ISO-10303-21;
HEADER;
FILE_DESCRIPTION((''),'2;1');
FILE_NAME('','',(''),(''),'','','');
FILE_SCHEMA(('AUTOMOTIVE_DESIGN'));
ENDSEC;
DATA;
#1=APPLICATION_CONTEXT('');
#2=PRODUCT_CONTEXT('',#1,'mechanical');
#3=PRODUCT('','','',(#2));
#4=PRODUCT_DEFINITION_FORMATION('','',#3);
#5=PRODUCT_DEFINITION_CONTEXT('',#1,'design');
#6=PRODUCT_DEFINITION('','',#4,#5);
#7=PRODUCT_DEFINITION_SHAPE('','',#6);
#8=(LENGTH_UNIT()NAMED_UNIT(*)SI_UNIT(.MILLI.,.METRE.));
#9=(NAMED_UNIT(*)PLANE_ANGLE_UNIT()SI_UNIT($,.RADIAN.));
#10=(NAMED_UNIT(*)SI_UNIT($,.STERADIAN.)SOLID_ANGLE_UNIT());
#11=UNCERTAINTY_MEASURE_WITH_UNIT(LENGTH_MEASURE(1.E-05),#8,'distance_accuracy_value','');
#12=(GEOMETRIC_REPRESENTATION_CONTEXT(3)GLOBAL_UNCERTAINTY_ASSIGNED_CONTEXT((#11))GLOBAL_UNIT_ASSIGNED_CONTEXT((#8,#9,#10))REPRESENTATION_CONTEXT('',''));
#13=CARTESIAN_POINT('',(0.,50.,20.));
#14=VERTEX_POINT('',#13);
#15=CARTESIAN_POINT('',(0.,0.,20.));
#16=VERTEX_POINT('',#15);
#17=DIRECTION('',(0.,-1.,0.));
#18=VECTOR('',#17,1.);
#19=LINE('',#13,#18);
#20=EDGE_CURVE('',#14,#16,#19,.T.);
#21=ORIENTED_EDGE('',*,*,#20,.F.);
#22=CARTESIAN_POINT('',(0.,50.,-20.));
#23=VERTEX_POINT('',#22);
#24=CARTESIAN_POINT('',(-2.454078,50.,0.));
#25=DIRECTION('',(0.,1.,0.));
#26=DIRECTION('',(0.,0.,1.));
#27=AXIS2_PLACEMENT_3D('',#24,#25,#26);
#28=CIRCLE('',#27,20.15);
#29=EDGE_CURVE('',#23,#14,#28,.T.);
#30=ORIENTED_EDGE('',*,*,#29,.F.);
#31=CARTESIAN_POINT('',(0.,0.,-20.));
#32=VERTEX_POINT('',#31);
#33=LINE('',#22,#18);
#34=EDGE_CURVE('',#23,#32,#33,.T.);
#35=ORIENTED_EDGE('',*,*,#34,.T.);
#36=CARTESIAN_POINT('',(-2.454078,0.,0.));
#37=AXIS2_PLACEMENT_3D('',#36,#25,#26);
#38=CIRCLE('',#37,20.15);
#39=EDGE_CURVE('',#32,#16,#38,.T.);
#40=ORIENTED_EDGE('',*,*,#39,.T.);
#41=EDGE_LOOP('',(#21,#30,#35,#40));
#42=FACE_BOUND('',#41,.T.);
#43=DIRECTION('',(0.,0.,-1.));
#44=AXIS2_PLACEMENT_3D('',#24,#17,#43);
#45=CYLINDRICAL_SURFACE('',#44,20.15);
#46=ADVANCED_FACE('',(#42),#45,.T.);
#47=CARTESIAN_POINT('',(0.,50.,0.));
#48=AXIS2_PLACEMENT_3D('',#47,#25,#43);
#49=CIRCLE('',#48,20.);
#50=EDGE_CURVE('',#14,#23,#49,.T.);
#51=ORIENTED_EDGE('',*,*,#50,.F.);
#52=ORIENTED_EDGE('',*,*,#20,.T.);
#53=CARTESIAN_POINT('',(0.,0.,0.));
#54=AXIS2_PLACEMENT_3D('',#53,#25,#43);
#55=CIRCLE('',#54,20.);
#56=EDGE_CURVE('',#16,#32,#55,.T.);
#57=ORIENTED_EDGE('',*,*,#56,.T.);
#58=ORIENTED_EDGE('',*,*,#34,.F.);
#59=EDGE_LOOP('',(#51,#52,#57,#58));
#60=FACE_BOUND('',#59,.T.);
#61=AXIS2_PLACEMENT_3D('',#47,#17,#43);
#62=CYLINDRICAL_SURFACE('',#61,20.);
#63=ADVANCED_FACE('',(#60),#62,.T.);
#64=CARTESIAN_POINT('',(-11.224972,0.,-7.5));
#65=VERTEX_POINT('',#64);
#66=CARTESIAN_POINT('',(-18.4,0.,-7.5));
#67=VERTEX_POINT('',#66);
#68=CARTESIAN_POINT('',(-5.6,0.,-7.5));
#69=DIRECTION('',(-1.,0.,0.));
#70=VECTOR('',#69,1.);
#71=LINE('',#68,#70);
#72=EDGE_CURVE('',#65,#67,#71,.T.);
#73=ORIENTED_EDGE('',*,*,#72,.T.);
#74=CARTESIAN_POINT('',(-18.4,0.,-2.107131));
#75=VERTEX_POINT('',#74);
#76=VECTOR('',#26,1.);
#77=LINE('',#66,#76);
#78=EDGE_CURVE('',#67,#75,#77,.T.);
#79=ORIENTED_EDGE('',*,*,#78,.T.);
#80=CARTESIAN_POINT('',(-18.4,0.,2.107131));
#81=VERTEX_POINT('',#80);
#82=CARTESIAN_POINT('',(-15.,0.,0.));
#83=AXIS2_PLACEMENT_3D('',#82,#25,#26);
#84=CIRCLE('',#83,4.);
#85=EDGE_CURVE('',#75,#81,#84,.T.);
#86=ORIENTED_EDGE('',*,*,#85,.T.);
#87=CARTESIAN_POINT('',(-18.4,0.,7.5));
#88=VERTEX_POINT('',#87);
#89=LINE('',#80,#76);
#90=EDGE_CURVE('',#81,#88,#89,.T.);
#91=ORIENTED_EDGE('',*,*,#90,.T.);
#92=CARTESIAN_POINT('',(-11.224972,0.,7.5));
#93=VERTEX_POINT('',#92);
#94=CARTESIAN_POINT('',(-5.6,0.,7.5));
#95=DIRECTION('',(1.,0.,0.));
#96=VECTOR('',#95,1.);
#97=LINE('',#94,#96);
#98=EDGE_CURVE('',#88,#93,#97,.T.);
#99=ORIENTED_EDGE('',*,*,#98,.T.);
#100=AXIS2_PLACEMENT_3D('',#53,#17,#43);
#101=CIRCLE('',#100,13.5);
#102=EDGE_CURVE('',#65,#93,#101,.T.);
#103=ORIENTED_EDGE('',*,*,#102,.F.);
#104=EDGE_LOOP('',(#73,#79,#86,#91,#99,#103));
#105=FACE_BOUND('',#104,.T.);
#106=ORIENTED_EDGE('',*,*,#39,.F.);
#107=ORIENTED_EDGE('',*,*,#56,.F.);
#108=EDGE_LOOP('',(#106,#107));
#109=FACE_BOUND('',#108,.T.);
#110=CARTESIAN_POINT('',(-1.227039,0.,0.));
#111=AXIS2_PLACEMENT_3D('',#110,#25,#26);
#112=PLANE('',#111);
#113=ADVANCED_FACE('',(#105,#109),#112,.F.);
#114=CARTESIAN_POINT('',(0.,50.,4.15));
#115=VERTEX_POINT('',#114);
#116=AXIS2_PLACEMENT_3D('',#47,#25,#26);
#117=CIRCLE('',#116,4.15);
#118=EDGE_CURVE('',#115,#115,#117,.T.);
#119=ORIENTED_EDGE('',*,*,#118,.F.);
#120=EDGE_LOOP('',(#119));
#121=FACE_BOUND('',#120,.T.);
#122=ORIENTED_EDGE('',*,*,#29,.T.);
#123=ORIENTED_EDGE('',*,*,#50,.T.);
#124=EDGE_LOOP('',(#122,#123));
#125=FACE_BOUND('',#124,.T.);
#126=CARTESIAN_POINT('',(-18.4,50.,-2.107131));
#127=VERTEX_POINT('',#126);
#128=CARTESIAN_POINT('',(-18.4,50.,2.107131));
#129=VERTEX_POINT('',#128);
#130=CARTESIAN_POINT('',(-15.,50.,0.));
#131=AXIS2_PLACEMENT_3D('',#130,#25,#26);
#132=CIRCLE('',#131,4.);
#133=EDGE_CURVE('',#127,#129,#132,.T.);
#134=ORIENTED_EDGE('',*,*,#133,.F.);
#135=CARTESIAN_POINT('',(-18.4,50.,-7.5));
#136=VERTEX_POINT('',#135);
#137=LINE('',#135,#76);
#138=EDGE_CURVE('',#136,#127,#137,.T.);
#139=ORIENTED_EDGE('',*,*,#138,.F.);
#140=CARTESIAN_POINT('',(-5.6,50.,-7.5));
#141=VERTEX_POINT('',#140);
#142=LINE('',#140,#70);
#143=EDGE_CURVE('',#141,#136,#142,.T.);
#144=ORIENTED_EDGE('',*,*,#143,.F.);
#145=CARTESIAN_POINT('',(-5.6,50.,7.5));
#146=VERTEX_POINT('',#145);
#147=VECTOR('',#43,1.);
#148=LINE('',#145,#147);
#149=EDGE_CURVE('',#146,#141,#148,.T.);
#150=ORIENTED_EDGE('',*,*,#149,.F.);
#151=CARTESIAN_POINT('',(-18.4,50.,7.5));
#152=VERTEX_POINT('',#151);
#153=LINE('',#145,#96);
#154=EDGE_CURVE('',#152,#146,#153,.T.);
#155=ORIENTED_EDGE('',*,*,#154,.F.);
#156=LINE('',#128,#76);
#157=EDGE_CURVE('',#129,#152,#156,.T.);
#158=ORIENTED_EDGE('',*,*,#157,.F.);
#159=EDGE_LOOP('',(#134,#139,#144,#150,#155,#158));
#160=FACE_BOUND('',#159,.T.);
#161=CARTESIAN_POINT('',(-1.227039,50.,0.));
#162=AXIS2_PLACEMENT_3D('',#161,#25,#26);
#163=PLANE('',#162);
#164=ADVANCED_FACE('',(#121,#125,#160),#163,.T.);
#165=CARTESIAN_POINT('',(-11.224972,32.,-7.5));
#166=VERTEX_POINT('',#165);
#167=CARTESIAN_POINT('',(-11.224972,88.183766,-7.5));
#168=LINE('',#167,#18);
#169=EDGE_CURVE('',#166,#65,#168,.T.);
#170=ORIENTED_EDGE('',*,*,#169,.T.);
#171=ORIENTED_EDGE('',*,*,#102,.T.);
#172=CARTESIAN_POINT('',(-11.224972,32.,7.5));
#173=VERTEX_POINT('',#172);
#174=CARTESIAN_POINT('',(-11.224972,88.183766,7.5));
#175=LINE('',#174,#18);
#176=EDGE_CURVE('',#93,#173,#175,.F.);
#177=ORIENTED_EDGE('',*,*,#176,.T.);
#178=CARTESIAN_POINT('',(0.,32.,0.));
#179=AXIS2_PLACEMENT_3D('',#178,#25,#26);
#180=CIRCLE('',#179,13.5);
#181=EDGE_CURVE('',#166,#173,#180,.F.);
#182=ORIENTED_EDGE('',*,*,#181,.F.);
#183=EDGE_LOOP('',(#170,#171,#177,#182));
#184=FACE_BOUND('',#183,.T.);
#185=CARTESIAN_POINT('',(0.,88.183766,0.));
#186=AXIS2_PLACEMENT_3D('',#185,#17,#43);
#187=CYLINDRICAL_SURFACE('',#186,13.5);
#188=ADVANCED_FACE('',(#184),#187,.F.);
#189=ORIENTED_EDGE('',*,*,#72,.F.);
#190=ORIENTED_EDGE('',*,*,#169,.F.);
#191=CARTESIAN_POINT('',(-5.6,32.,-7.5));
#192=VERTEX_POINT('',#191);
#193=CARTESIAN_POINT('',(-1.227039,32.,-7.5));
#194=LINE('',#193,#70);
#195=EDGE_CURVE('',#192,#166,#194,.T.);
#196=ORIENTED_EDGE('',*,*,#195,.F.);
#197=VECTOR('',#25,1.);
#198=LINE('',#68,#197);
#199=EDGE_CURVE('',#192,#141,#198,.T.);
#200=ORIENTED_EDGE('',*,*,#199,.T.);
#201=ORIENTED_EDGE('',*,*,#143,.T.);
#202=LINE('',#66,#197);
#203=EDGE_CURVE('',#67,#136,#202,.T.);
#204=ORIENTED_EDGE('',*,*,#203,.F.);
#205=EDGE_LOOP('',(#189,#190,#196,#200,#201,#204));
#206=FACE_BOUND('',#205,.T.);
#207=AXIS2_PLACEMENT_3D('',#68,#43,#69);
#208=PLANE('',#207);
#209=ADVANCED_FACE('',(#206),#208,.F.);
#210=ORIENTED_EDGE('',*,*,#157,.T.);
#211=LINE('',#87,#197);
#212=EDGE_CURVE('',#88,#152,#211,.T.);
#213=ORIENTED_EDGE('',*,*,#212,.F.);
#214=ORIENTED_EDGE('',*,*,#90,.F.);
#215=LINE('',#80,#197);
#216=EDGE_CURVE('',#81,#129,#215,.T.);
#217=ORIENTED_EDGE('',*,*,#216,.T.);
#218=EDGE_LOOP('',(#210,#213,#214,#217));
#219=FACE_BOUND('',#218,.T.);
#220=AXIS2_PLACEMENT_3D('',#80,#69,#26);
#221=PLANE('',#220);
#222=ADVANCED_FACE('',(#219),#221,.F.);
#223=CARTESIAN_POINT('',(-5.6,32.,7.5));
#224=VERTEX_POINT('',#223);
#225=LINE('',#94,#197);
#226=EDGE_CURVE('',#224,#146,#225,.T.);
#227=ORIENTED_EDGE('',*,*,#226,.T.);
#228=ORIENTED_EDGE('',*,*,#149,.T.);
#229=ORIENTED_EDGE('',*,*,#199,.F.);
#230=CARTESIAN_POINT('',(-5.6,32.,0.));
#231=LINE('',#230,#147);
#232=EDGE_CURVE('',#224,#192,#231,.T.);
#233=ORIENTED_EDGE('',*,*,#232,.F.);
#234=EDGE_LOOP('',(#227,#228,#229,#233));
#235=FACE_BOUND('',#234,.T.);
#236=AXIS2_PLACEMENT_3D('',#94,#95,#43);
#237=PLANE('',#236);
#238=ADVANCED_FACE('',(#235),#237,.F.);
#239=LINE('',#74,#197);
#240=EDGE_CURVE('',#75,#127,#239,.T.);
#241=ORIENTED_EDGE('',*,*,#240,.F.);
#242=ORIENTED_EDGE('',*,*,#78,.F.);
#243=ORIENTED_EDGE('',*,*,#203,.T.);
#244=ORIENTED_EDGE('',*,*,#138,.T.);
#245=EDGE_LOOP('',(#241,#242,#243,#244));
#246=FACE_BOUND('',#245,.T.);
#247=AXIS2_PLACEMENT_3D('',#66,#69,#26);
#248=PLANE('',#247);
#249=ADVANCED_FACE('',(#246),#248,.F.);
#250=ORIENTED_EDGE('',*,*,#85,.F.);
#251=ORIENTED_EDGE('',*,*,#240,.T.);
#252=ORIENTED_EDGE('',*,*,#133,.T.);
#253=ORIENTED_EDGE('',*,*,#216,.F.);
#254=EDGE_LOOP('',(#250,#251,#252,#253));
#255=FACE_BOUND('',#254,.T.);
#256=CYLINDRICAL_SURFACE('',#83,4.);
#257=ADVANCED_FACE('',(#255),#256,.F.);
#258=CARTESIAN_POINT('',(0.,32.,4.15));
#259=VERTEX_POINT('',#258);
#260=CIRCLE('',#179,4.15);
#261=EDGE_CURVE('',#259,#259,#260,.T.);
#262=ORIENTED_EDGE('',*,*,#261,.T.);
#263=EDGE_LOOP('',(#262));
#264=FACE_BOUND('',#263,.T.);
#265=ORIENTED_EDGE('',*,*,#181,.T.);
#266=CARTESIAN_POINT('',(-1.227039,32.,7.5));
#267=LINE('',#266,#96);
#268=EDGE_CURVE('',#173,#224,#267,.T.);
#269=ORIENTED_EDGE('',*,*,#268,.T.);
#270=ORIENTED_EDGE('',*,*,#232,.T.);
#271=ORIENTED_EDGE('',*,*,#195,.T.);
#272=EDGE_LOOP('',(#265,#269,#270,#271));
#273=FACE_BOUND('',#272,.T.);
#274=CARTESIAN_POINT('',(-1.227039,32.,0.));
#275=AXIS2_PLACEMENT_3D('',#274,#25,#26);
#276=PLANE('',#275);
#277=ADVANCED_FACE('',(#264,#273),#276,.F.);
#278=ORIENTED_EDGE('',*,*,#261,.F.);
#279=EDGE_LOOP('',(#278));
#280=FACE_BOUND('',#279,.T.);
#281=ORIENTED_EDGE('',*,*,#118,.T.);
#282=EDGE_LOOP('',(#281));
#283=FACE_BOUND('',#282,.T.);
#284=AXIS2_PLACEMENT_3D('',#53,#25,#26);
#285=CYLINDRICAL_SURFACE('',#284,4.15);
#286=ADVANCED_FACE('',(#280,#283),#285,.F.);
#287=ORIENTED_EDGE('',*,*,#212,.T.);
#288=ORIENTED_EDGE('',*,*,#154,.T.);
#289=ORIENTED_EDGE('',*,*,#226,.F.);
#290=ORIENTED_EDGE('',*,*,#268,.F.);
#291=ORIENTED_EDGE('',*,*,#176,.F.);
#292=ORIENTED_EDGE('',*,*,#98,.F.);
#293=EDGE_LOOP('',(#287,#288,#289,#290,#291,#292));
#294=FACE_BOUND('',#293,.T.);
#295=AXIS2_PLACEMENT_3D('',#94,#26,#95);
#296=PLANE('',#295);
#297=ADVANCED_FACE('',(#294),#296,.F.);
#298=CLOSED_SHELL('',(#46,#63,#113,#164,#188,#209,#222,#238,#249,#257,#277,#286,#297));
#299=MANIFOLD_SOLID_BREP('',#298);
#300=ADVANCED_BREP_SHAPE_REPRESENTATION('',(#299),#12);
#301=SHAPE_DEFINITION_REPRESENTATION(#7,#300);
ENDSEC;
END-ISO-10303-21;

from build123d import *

# Parameters (mm, degrees)
BOSS_EXTRUDE1_DEPTH = 50
SKETCH2_R           = 13.5
CUT_EXTRUDE1_DEPTH  = 32
SKETCH3_R           = 4.15
CUT_EXTRUDE2_DEPTH  = 59.454827457
CUT_EXTRUDE3_DEPTH  = 59.454827457


with BuildPart() as part:
    # Sketch1 → Boss-Extrude1 (new body)
    with BuildSketch(Plane(origin=(0, 0, 0), x_dir=(1, 0, 0), z_dir=(0, 1, 0))):
        with BuildLine():
            ThreePointArc((0, 20), (20, 0), (0, -20))
            ThreePointArc((0, -20), (-22.604078238, 0), (0, 20))
        make_face()
    extrude(amount=BOSS_EXTRUDE1_DEPTH)

    # Sketch2 → Cut-Extrude1 (cut)
    with BuildSketch(Plane.XZ):
        with Locations(Location((0, 0, 0), (0, 0, 270))):
            Circle(SKETCH2_R)
    extrude(amount=-CUT_EXTRUDE1_DEPTH, mode=Mode.SUBTRACT)

    # Sketch3 → Cut-Extrude2 (cut, through all)
    with BuildSketch(Plane(origin=(0, 50, 0), x_dir=(1, 0, 0), z_dir=(0, 1, 0))):
        with Locations(Location((0, 0, 0), (0, 0, 270))):
            Circle(SKETCH3_R)
    extrude(amount=-CUT_EXTRUDE2_DEPTH, mode=Mode.SUBTRACT)

    # Sketch4 → Cut-Extrude3 (cut, through all)
    with BuildSketch(Plane(origin=(0, 50, 0), x_dir=(1, 0, 0), z_dir=(0, 1, 0))):
        with BuildLine():
            Line((-18.4, 7.5), (-18.4, 2.107130751))
            ThreePointArc((-18.4, 2.107130751), (-19, 0), (-18.4, -2.107130751))
            Line((-18.4, -2.107130751), (-18.4, -7.5))
            Line((-18.4, -7.5), (-5.6, -7.5))
            Line((-5.6, -7.5), (-5.6, 7.5))
            Line((-5.6, 7.5), (-18.4, 7.5))
        make_face()
    extrude(amount=-CUT_EXTRUDE3_DEPTH, mode=Mode.SUBTRACT)


solid = part.part
